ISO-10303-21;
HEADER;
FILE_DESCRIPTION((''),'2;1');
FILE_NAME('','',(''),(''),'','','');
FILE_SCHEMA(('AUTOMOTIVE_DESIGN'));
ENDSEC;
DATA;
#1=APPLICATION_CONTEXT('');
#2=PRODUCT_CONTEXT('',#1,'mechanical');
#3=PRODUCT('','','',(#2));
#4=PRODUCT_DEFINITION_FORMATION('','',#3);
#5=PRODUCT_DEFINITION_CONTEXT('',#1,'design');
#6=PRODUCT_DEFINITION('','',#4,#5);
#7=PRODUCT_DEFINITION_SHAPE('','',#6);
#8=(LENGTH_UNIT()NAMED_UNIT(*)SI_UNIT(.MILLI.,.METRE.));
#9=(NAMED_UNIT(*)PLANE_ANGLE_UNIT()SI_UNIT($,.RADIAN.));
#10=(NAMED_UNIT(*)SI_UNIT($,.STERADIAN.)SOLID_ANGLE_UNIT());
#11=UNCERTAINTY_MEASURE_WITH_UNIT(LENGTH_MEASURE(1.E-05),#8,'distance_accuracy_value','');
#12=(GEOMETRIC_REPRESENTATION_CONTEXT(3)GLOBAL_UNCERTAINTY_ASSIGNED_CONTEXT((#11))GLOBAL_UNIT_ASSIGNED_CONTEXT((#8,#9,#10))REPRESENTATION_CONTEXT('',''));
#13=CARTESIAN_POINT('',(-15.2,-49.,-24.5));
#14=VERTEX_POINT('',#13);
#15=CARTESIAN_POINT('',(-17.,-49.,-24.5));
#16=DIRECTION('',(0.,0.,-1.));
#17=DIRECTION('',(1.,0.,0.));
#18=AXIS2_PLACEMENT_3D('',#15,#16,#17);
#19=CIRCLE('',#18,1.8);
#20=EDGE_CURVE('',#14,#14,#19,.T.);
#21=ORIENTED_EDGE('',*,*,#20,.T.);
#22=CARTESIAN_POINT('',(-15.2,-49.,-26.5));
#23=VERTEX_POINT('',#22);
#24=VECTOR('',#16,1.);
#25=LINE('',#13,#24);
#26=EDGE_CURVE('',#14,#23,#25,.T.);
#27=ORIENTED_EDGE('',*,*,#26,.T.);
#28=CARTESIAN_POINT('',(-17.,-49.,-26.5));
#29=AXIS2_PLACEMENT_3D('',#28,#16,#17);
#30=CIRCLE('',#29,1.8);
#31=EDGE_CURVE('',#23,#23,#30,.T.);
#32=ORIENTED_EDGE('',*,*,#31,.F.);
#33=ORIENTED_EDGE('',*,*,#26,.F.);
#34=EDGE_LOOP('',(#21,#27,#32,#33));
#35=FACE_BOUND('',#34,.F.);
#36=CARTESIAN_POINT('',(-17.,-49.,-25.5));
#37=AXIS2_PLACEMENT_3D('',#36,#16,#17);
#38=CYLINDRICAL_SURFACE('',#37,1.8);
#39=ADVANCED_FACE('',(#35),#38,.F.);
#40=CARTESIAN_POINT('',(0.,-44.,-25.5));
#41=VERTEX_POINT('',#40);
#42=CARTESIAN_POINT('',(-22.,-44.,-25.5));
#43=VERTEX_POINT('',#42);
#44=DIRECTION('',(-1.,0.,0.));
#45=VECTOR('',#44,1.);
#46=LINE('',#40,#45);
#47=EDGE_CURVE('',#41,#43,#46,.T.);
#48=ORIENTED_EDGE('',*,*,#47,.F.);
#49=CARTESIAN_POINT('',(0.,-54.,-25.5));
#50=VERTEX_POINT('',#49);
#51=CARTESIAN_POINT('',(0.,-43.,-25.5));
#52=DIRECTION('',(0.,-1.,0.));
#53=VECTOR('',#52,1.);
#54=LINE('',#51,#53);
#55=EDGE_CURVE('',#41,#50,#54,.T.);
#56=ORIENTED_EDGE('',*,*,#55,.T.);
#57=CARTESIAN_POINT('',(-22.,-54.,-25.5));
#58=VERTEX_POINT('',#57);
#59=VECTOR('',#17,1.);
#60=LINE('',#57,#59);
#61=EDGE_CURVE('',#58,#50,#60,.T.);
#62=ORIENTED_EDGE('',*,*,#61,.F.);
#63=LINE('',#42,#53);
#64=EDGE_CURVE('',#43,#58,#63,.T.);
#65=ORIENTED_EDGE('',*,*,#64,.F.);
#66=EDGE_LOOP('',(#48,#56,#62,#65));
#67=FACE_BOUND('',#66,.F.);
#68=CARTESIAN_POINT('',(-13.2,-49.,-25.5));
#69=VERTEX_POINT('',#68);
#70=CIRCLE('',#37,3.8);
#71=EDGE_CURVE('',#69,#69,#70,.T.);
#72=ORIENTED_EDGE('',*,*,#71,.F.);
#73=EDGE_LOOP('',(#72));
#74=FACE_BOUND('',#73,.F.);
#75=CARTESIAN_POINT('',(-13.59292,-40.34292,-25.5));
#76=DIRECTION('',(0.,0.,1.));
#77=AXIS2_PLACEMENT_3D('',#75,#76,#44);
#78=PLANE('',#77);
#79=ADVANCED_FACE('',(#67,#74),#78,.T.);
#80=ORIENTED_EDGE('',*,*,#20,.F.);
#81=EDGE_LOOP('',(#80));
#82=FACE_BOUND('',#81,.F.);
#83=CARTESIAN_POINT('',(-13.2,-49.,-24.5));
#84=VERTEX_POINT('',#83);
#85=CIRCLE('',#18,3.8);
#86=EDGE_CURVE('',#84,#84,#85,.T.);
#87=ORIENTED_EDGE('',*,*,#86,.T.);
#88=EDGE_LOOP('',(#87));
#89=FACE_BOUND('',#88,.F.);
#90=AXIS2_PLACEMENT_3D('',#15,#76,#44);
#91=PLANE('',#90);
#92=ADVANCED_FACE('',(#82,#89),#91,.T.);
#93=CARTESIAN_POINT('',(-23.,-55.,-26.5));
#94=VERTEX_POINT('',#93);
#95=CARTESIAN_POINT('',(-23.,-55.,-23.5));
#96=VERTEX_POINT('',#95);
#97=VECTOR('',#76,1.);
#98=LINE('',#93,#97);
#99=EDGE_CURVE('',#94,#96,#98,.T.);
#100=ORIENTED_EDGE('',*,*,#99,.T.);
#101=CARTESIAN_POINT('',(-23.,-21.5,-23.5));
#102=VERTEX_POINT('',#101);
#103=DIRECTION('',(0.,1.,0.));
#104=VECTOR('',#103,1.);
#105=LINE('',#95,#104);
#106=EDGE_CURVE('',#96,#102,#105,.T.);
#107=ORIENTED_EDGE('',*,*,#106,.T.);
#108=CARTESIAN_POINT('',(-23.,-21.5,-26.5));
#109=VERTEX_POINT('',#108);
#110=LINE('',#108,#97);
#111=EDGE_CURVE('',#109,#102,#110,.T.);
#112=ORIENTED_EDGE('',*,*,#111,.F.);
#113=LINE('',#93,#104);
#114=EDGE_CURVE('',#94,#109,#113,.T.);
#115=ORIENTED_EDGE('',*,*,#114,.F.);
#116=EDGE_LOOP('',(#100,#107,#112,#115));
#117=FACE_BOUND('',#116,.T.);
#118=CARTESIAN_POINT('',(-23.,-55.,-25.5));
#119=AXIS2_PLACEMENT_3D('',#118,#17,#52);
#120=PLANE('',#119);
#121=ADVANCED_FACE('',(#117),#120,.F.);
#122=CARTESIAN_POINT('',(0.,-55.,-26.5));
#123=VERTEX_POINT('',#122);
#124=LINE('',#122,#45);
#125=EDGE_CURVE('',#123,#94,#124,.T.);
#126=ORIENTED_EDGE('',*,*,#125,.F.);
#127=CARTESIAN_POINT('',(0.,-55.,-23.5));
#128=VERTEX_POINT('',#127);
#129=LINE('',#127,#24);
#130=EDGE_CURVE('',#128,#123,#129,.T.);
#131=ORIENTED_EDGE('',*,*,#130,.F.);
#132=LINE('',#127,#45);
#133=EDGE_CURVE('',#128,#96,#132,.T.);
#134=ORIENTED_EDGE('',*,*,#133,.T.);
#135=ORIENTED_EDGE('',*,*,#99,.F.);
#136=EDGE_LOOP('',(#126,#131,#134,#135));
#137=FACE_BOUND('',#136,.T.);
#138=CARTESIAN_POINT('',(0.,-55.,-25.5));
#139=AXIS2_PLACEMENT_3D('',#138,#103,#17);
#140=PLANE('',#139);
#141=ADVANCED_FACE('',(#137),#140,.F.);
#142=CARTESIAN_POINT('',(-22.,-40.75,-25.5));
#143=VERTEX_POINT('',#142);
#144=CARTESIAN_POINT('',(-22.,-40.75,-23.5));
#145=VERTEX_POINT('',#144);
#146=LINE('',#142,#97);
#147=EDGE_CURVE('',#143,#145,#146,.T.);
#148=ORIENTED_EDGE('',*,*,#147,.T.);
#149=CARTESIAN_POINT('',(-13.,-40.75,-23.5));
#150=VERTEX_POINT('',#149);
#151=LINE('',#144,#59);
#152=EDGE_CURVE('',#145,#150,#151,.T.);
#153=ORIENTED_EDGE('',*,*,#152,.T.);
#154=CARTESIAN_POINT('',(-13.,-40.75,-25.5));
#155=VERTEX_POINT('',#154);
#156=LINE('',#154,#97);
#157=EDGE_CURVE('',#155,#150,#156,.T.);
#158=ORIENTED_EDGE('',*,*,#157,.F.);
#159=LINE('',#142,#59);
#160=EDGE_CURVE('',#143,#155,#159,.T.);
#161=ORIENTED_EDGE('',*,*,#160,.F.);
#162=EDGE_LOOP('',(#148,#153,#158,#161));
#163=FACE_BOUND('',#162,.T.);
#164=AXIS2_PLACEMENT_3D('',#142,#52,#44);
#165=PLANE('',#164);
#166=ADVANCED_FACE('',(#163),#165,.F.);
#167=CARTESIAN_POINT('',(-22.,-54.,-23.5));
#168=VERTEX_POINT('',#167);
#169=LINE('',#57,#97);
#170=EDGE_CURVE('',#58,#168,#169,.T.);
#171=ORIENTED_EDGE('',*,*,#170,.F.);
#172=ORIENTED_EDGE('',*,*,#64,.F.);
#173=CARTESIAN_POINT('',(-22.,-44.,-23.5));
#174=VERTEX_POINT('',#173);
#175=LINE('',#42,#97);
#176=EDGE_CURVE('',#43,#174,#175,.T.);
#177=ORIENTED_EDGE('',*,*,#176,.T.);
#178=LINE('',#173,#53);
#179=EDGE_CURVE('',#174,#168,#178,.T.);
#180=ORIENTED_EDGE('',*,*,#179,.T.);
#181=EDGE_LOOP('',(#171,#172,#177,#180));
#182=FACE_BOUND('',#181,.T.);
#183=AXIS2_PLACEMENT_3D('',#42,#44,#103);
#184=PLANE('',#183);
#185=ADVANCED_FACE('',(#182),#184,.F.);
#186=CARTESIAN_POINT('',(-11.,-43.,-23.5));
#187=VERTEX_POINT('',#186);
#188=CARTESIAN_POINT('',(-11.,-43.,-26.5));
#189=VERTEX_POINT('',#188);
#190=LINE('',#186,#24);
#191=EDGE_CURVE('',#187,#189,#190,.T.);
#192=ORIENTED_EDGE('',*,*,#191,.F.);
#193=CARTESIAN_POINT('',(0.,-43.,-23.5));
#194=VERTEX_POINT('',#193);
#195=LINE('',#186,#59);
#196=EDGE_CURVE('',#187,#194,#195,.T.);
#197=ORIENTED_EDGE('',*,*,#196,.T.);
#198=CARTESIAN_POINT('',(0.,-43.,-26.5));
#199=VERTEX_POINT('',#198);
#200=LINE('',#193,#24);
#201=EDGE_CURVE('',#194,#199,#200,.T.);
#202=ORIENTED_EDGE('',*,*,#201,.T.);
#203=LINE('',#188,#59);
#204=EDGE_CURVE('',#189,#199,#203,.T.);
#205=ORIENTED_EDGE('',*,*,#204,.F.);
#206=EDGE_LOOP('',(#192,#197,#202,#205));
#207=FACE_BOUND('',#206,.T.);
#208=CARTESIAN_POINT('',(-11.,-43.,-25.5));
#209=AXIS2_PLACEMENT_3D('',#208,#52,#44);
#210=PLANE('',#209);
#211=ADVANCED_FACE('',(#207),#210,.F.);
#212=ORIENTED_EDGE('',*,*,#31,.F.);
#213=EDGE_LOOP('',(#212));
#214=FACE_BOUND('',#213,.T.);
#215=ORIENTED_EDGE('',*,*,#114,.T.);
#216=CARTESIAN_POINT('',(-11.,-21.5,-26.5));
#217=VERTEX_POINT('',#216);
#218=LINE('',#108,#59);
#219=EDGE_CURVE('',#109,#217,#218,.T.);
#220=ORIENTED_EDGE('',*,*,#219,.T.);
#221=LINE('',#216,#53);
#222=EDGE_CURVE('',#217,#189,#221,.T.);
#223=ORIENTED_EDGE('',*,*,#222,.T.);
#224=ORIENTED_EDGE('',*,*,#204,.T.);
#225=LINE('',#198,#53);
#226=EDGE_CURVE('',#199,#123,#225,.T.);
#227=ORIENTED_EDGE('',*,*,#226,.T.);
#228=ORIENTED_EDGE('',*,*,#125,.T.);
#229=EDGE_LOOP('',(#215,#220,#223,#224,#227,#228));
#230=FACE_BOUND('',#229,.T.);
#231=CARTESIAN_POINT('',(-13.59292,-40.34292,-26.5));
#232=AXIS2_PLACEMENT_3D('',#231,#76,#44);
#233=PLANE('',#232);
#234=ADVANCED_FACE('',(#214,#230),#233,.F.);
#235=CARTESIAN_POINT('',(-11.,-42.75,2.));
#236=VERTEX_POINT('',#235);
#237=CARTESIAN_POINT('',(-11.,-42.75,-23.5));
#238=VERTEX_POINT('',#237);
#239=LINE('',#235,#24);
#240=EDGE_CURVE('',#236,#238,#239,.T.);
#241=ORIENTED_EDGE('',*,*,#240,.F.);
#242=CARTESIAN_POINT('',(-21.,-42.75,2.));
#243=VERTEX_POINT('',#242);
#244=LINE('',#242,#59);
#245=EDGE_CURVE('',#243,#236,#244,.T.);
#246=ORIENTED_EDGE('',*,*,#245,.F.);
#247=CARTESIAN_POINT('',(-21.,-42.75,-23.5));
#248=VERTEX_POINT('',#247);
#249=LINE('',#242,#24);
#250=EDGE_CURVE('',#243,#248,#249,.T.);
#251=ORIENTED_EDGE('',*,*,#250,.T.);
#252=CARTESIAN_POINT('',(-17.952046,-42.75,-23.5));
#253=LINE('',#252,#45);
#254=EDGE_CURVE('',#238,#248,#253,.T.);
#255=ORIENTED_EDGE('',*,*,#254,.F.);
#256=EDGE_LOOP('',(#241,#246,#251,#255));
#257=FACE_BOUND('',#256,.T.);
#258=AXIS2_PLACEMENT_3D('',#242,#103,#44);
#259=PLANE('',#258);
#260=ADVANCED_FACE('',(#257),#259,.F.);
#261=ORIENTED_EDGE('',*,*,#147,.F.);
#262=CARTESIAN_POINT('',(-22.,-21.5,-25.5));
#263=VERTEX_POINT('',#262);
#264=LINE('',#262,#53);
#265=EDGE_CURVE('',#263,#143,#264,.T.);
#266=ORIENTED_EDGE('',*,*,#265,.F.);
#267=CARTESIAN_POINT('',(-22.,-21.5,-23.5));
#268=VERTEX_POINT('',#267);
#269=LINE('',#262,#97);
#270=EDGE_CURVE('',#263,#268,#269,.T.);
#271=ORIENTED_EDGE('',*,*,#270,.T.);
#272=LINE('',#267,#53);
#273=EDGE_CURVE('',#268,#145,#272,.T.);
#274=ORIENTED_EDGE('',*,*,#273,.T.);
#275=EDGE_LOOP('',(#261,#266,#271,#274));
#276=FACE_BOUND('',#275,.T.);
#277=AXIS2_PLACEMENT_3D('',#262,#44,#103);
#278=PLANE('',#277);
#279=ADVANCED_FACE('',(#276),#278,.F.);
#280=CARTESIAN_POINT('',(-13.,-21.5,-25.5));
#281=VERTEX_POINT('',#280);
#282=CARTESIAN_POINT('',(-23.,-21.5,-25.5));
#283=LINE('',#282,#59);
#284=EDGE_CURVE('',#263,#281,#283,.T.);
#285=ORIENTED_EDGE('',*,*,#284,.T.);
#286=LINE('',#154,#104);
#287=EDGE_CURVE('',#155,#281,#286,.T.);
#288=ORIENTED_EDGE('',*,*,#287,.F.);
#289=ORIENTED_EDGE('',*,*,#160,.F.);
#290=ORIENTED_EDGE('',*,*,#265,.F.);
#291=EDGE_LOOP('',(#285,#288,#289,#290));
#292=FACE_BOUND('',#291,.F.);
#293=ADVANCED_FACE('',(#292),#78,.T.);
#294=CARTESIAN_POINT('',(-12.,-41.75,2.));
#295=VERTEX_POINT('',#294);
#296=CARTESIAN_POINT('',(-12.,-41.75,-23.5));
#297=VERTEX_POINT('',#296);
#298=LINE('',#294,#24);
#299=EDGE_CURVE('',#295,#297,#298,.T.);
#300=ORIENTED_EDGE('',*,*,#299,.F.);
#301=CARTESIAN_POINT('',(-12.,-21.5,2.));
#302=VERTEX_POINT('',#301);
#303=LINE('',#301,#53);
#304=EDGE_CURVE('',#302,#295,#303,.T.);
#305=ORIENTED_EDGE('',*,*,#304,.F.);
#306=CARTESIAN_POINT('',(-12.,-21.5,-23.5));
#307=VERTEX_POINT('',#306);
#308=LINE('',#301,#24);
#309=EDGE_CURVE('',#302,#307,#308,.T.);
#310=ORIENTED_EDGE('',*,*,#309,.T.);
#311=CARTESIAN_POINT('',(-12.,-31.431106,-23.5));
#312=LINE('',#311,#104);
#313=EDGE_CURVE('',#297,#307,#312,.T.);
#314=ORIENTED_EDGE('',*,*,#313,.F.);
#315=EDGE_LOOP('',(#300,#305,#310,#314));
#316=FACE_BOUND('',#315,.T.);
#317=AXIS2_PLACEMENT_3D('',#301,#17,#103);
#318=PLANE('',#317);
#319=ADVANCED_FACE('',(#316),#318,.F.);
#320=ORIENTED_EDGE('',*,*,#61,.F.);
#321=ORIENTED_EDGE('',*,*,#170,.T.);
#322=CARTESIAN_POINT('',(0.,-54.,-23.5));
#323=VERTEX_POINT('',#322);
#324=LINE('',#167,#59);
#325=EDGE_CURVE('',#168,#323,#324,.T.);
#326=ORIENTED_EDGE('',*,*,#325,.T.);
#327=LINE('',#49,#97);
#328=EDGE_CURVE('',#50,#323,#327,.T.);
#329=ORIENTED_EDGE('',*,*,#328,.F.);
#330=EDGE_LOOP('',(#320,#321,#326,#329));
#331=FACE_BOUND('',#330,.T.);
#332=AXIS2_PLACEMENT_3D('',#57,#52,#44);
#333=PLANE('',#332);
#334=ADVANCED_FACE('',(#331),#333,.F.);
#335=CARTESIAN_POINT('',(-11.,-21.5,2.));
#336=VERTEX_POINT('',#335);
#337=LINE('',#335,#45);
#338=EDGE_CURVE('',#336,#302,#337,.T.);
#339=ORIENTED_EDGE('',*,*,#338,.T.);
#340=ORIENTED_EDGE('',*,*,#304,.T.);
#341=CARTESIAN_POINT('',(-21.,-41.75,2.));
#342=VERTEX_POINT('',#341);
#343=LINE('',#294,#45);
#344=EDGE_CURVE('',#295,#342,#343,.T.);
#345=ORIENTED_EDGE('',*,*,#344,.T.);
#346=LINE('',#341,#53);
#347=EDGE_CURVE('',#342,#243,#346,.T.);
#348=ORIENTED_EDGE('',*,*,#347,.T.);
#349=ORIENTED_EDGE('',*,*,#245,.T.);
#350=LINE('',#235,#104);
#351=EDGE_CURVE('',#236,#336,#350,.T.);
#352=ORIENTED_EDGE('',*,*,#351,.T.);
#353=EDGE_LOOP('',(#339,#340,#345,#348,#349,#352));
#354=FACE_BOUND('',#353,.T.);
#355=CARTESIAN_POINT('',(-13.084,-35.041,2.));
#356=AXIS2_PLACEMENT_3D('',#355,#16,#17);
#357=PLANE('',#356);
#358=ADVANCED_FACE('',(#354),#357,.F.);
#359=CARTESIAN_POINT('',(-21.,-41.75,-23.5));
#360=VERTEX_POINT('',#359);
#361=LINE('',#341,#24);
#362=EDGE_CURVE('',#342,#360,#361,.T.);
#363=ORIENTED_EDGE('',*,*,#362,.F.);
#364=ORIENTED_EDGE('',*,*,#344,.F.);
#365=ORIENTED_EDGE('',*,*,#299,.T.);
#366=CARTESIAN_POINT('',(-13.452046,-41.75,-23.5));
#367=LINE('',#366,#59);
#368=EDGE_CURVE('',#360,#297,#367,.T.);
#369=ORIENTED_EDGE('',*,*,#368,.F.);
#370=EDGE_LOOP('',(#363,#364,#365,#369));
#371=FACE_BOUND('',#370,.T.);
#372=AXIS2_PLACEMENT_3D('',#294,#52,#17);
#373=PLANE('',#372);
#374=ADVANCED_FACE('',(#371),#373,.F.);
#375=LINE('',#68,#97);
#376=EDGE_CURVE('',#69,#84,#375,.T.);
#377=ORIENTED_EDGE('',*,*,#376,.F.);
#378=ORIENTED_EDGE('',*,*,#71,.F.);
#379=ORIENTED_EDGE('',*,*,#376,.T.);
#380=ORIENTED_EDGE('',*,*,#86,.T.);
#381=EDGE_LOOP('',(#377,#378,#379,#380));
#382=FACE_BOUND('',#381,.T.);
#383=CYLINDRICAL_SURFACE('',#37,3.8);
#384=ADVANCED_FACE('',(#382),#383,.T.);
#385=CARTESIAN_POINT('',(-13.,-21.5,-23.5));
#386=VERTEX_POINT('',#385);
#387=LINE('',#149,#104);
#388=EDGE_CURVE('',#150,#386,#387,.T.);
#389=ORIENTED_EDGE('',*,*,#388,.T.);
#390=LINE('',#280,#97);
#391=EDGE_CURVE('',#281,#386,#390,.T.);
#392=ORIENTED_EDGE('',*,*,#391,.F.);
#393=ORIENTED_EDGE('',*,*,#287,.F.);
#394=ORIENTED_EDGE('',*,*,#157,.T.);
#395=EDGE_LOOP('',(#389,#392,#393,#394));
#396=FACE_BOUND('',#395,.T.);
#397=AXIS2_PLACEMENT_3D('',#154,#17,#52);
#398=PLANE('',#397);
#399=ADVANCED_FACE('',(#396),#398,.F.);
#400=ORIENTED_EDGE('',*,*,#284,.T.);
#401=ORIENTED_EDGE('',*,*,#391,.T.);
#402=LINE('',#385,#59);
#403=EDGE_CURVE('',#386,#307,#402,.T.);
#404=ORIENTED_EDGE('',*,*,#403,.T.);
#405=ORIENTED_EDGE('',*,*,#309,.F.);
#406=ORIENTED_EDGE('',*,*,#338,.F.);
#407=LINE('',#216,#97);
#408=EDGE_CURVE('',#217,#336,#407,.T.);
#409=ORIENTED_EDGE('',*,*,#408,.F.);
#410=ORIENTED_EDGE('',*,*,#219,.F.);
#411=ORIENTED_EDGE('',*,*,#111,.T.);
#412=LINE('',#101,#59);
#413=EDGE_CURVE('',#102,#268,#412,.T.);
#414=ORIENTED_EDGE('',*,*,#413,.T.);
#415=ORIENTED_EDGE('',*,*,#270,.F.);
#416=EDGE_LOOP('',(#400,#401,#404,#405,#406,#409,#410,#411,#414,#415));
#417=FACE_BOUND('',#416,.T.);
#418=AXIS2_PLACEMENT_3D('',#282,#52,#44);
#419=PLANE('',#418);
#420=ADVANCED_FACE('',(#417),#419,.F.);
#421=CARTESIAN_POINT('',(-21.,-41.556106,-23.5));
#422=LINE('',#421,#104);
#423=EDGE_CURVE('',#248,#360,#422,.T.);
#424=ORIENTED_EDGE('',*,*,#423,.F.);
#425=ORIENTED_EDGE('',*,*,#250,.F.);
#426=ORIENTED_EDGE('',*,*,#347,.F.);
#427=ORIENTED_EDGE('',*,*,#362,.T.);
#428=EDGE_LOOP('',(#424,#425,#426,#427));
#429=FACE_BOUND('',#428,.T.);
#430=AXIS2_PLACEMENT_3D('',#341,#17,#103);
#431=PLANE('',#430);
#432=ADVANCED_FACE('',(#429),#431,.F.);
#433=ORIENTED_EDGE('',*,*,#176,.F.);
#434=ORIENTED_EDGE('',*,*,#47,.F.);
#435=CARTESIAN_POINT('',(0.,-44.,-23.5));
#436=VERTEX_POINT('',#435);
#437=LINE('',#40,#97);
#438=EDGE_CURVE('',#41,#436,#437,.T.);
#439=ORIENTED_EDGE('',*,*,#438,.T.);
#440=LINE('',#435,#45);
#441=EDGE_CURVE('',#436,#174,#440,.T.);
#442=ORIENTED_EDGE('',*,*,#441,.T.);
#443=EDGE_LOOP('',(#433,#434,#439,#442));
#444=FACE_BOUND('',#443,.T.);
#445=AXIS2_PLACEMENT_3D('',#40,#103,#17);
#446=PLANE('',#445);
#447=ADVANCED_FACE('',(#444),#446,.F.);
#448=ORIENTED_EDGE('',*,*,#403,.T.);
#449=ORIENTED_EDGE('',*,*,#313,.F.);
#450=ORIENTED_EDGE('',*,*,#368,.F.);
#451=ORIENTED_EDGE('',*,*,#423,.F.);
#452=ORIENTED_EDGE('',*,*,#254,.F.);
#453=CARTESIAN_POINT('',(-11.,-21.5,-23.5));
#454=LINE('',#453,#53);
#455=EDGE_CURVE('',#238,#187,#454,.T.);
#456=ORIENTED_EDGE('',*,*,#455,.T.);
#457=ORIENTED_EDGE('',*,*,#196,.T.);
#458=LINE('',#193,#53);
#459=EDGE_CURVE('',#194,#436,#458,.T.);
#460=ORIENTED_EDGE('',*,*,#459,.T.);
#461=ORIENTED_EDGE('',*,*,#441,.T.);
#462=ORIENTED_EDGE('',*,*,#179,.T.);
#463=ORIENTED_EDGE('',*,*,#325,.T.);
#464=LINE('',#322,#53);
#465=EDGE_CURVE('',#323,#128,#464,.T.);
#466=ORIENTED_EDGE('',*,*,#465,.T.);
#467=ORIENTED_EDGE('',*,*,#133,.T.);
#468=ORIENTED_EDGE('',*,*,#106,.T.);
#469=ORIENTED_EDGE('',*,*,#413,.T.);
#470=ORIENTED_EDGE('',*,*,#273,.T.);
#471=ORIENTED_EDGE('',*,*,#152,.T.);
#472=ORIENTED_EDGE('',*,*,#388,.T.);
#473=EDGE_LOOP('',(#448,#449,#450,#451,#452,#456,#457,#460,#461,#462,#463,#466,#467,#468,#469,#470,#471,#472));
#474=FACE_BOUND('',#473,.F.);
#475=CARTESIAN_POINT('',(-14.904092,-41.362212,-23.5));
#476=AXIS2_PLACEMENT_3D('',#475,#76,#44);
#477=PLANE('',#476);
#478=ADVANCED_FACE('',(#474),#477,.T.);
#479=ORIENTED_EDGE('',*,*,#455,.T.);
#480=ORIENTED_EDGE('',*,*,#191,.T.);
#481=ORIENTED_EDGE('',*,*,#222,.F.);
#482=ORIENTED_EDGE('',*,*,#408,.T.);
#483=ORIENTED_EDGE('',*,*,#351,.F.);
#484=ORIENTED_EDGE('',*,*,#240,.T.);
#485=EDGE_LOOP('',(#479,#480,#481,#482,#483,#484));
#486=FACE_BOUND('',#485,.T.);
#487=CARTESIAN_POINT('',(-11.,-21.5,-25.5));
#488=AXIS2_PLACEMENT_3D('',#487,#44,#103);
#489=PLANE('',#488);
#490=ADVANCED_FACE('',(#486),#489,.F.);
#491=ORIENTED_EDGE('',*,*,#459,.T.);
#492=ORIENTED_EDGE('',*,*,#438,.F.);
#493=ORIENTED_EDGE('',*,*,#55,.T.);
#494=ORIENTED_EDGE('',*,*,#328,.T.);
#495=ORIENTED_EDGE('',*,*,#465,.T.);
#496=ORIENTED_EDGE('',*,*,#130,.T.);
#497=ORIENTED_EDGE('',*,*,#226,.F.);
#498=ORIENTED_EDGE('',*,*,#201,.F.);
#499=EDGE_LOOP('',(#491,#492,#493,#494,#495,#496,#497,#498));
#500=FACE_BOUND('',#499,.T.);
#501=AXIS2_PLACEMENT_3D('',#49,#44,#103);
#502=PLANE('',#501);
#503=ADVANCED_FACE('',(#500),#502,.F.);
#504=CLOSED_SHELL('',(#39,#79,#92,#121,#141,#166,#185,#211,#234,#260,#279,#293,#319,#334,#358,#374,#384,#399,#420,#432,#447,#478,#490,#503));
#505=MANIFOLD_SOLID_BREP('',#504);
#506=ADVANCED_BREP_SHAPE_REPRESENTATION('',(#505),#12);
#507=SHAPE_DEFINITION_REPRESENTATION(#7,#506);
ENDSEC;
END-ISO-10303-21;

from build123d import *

# Parameters (mm, degrees)
SKETCH006_R      = 1.8
EXTRUDE004_DEPTH = 1
EXTRUDE005_DEPTH = 2
SKETCH017_R      = 3.8
SKETCH017_R_2    = 1.8
EXTRUDE014_DEPTH = 1
EXTRUDE003_DEPTH = 27.5


with BuildPart() as extrude004:
    # Sketch006 → Extrude004 (new body)
    with BuildSketch(Plane.XY.offset(10)):
        Polygon((-11, 0), (0, 0), (0, 12), (-23, 12), (-23, -21.5), (-11, -21.5), align=None)
        with Locations((-17, 6)):
            Circle(SKETCH006_R, mode=Mode.SUBTRACT)
    extrude(amount=EXTRUDE004_DEPTH)


with BuildPart() as extrude004_1:
    # Extrude004 placement: moved
    add(extrude004.part.moved(Location((0, 0, -36.5))))


with BuildPart() as extrude005:
    # Sketch007 → Extrude005 (new body)
    with BuildSketch(Plane.XY.offset(10)):
        Polygon((0, 12), (-23, 12), (-23, -21.5), (-22, -21.5), (-22, -2.25), (-13, -2.25), (-13, -21.5), (-11, -21.5), (-11, 0), (0, 0), (0, 1), (-22, 1), (-22, 11), (0, 11), align=None)
    extrude(amount=EXTRUDE005_DEPTH)


with BuildPart() as extrude005_1:
    # Extrude005 placement: moved
    add(extrude005.part.moved(Location((0, 0, -35.5))))


with BuildPart() as extrude014:
    # Sketch017 → Extrude014 (new body)
    with BuildSketch(Plane.XY.offset(10)):
        with Locations((-17, 6)):
            Circle(SKETCH017_R)
        with Locations((-17, 6)):
            Circle(SKETCH017_R_2, mode=Mode.SUBTRACT)
    extrude(amount=EXTRUDE014_DEPTH)


with BuildPart() as extrude014_1:
    # Extrude014 placement: moved
    add(extrude014.part.moved(Location((0, 0, -35.5))))


with BuildPart() as body006:
    # Sketch003 → Extrude003 (new body)
    with BuildSketch(Plane.XY):
        Polygon((-21, -0.25), (-11, -0.25), (-11, -21.5), (-12, -21.5), (-12, -1.25), (-21, -1.25), align=None)
    extrude(amount=-EXTRUDE003_DEPTH)


with BuildPart() as body006_1:
    # Extrude003 placement: moved
    add(body006.part.moved(Location((0, 0, 2))))

    # Fusion013: union Extrude004, Extrude005, Extrude014
    add(extrude004_1.part)
    add(extrude005_1.part)
    add(extrude014_1.part)


with BuildPart() as part_mirroring007:
    # Part__Mirroring007: instance of Body006
    add(body006_1.part.mirror(Plane(origin=(0, -21.5, 0), x_dir=(1, 0, 0), z_dir=(0, 1, 0))))


solid = part_mirroring007.part
